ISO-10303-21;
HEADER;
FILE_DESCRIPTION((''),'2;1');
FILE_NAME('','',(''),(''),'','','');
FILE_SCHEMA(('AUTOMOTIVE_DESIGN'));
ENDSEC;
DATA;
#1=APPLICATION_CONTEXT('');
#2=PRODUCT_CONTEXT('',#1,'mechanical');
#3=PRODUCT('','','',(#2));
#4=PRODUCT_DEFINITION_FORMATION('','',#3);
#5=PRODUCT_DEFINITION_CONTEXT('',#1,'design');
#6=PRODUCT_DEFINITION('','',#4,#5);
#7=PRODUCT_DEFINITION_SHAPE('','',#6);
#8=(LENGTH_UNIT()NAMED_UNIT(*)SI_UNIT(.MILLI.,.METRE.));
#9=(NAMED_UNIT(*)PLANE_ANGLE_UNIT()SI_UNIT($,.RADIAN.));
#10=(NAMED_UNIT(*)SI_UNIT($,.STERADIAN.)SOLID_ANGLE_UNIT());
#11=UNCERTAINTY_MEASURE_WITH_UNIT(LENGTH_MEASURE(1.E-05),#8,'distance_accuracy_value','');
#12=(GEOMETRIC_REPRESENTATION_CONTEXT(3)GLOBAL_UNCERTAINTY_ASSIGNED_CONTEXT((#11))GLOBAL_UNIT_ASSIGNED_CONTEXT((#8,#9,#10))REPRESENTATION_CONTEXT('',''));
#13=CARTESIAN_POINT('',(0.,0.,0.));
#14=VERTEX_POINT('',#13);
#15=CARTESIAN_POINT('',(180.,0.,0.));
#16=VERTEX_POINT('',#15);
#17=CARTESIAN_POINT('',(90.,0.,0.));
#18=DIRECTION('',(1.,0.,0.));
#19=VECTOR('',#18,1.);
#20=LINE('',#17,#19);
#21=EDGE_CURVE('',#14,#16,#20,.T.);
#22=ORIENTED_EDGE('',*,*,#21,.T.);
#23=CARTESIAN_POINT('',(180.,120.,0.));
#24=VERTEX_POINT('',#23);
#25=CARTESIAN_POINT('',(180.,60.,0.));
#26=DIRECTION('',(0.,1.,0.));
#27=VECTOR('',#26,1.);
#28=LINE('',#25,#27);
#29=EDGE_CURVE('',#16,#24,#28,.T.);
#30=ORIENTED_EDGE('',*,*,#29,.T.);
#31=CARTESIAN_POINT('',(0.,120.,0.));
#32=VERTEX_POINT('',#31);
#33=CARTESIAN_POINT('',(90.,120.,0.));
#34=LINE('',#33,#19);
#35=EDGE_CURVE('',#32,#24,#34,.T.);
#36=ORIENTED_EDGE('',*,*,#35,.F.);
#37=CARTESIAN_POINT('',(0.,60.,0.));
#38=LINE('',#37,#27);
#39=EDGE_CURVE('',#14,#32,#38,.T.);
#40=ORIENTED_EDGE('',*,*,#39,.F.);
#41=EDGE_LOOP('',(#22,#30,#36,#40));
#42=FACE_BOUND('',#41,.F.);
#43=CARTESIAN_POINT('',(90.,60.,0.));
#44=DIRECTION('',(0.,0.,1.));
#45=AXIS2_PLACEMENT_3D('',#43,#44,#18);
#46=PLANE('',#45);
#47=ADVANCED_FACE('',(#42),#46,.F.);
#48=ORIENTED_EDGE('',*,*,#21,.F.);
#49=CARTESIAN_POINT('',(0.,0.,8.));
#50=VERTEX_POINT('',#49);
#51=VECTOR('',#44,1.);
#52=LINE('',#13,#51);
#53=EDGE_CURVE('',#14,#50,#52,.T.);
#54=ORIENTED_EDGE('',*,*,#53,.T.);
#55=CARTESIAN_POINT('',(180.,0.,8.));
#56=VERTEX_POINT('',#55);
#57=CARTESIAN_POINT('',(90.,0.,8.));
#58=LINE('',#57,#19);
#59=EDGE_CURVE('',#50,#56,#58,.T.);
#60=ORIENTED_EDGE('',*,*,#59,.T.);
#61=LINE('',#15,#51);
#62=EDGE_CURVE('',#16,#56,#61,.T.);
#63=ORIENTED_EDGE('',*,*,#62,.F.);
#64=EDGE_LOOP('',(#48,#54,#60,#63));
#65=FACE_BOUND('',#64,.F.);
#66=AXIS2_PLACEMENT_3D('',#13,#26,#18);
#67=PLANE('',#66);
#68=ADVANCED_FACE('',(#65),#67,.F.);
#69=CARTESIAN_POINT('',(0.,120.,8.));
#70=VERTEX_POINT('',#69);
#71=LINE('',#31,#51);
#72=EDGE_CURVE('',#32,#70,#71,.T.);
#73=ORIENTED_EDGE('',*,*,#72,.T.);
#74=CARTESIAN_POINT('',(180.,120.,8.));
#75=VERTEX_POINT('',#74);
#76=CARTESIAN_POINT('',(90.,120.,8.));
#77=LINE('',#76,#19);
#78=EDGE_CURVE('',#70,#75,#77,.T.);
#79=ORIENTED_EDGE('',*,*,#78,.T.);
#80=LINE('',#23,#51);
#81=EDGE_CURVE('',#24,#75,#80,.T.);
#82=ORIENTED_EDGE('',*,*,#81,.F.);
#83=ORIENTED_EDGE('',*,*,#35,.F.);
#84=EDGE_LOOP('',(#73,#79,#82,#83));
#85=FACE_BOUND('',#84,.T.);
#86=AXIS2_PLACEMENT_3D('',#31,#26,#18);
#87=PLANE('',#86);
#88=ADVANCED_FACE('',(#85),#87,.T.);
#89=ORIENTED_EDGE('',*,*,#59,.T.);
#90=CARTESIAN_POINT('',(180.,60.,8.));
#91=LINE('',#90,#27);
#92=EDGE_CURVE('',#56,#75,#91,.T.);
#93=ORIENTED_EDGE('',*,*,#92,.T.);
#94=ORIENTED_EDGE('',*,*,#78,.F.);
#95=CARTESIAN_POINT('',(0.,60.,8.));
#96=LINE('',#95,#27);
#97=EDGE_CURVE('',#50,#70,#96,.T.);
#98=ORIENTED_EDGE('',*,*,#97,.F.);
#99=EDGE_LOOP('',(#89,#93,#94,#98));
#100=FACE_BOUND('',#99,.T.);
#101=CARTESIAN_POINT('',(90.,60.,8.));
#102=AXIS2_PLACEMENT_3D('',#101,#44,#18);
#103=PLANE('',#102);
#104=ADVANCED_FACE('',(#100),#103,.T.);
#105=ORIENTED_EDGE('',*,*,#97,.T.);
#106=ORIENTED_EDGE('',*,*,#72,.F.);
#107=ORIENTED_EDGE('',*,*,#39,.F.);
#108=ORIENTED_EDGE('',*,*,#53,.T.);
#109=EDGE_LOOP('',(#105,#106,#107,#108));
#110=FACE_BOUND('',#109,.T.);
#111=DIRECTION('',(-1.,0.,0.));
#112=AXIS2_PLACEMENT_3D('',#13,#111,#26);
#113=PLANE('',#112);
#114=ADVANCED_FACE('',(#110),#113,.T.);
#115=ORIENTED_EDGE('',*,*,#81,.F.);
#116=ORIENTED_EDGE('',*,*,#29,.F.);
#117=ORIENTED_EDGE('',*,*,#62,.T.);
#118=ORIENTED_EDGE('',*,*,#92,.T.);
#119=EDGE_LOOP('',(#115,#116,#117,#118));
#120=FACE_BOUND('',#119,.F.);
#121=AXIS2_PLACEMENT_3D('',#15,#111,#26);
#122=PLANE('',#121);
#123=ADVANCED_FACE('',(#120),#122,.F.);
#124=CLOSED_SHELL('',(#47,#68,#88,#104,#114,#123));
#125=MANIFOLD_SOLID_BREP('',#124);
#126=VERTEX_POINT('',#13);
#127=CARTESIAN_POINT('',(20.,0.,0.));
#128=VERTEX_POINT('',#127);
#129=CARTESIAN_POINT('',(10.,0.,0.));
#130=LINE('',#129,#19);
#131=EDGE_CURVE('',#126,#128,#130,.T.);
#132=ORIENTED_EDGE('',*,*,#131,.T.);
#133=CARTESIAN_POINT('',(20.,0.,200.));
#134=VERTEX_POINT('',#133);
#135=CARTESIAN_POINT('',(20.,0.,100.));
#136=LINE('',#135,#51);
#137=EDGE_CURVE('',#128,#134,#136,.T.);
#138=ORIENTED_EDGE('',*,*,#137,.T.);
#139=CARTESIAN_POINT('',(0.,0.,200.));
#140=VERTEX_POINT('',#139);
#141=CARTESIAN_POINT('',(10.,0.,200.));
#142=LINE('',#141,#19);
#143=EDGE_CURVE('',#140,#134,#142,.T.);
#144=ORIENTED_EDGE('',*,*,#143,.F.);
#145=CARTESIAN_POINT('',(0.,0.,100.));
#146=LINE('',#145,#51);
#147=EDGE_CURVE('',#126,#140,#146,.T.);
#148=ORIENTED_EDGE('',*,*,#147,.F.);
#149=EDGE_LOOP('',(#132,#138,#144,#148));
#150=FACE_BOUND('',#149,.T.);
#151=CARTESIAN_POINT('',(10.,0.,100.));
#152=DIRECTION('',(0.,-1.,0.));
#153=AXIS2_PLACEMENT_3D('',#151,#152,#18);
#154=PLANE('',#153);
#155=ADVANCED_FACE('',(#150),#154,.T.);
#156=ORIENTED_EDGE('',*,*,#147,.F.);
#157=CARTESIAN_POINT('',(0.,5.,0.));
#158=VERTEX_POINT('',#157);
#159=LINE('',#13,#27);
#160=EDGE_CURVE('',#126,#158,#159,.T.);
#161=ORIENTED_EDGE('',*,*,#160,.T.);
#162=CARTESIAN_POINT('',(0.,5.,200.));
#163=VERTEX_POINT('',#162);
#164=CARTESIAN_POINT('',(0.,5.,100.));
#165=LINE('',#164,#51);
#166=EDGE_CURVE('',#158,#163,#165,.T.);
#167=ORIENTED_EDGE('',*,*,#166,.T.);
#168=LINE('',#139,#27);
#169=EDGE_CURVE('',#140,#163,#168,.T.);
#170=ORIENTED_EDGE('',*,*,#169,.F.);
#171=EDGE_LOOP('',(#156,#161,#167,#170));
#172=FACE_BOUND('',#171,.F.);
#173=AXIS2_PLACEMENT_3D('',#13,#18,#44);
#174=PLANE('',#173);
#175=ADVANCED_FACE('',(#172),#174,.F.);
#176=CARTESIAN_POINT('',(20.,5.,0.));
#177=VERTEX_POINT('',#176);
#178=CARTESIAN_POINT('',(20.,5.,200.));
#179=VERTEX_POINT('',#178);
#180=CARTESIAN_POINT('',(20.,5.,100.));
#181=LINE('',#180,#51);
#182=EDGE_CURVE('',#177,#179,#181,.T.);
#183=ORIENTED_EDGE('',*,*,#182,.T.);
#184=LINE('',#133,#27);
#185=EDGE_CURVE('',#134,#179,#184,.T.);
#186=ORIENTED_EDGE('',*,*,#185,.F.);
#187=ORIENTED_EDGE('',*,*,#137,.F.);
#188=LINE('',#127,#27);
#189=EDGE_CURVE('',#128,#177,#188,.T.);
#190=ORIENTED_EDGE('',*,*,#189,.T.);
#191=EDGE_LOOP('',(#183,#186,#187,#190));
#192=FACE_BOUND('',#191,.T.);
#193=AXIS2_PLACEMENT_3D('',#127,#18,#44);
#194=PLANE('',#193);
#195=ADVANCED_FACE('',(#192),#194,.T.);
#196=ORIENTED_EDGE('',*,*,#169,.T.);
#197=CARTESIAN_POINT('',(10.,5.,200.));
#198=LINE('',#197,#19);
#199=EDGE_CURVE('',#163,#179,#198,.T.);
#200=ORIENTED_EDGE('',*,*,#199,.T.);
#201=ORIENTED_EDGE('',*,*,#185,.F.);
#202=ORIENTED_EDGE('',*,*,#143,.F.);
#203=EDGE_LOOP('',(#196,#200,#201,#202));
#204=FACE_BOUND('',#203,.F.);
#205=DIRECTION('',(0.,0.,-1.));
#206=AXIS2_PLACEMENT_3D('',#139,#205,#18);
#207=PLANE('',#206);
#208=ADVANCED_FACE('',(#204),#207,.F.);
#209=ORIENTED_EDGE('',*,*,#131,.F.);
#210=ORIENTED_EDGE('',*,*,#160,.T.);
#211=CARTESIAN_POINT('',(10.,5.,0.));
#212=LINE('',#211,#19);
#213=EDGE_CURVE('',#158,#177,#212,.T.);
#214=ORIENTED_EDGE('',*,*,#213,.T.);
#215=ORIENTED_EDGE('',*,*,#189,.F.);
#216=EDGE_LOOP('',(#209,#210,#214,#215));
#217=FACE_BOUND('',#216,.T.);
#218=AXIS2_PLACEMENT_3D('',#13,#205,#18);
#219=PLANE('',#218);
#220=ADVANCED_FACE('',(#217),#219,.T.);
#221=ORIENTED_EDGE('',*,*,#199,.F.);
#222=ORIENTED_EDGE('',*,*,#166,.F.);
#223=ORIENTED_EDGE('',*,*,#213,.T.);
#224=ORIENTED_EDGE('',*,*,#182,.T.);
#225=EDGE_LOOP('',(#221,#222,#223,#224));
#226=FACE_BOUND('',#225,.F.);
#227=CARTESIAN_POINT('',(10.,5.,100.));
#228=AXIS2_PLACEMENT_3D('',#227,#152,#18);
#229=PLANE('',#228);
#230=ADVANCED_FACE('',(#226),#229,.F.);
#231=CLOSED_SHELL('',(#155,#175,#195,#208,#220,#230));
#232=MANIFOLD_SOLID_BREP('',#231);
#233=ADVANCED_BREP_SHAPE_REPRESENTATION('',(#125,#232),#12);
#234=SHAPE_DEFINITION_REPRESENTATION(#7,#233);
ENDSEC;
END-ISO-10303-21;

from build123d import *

# Parameters (mm, degrees)
F0_W     = 180
F0_H     = 120
F1_DEPTH = 8
F2_W     = 20
F2_H     = 200
F3_DEPTH = 5


with BuildPart() as f1:
    # F0 (on Top) → F1 (new body)
    with BuildSketch(Plane.XY):
        with Locations((90, 60)):
            Rectangle(F0_W, F0_H)
    extrude(amount=F1_DEPTH)


with BuildPart() as f3:
    # F2 (on Front) → F3 (new body)
    with BuildSketch(Plane.XZ):
        with Locations((10, 100)):
            Rectangle(F2_W, F2_H)
    extrude(amount=-F3_DEPTH)


solid = Compound([f1.part, f3.part])
